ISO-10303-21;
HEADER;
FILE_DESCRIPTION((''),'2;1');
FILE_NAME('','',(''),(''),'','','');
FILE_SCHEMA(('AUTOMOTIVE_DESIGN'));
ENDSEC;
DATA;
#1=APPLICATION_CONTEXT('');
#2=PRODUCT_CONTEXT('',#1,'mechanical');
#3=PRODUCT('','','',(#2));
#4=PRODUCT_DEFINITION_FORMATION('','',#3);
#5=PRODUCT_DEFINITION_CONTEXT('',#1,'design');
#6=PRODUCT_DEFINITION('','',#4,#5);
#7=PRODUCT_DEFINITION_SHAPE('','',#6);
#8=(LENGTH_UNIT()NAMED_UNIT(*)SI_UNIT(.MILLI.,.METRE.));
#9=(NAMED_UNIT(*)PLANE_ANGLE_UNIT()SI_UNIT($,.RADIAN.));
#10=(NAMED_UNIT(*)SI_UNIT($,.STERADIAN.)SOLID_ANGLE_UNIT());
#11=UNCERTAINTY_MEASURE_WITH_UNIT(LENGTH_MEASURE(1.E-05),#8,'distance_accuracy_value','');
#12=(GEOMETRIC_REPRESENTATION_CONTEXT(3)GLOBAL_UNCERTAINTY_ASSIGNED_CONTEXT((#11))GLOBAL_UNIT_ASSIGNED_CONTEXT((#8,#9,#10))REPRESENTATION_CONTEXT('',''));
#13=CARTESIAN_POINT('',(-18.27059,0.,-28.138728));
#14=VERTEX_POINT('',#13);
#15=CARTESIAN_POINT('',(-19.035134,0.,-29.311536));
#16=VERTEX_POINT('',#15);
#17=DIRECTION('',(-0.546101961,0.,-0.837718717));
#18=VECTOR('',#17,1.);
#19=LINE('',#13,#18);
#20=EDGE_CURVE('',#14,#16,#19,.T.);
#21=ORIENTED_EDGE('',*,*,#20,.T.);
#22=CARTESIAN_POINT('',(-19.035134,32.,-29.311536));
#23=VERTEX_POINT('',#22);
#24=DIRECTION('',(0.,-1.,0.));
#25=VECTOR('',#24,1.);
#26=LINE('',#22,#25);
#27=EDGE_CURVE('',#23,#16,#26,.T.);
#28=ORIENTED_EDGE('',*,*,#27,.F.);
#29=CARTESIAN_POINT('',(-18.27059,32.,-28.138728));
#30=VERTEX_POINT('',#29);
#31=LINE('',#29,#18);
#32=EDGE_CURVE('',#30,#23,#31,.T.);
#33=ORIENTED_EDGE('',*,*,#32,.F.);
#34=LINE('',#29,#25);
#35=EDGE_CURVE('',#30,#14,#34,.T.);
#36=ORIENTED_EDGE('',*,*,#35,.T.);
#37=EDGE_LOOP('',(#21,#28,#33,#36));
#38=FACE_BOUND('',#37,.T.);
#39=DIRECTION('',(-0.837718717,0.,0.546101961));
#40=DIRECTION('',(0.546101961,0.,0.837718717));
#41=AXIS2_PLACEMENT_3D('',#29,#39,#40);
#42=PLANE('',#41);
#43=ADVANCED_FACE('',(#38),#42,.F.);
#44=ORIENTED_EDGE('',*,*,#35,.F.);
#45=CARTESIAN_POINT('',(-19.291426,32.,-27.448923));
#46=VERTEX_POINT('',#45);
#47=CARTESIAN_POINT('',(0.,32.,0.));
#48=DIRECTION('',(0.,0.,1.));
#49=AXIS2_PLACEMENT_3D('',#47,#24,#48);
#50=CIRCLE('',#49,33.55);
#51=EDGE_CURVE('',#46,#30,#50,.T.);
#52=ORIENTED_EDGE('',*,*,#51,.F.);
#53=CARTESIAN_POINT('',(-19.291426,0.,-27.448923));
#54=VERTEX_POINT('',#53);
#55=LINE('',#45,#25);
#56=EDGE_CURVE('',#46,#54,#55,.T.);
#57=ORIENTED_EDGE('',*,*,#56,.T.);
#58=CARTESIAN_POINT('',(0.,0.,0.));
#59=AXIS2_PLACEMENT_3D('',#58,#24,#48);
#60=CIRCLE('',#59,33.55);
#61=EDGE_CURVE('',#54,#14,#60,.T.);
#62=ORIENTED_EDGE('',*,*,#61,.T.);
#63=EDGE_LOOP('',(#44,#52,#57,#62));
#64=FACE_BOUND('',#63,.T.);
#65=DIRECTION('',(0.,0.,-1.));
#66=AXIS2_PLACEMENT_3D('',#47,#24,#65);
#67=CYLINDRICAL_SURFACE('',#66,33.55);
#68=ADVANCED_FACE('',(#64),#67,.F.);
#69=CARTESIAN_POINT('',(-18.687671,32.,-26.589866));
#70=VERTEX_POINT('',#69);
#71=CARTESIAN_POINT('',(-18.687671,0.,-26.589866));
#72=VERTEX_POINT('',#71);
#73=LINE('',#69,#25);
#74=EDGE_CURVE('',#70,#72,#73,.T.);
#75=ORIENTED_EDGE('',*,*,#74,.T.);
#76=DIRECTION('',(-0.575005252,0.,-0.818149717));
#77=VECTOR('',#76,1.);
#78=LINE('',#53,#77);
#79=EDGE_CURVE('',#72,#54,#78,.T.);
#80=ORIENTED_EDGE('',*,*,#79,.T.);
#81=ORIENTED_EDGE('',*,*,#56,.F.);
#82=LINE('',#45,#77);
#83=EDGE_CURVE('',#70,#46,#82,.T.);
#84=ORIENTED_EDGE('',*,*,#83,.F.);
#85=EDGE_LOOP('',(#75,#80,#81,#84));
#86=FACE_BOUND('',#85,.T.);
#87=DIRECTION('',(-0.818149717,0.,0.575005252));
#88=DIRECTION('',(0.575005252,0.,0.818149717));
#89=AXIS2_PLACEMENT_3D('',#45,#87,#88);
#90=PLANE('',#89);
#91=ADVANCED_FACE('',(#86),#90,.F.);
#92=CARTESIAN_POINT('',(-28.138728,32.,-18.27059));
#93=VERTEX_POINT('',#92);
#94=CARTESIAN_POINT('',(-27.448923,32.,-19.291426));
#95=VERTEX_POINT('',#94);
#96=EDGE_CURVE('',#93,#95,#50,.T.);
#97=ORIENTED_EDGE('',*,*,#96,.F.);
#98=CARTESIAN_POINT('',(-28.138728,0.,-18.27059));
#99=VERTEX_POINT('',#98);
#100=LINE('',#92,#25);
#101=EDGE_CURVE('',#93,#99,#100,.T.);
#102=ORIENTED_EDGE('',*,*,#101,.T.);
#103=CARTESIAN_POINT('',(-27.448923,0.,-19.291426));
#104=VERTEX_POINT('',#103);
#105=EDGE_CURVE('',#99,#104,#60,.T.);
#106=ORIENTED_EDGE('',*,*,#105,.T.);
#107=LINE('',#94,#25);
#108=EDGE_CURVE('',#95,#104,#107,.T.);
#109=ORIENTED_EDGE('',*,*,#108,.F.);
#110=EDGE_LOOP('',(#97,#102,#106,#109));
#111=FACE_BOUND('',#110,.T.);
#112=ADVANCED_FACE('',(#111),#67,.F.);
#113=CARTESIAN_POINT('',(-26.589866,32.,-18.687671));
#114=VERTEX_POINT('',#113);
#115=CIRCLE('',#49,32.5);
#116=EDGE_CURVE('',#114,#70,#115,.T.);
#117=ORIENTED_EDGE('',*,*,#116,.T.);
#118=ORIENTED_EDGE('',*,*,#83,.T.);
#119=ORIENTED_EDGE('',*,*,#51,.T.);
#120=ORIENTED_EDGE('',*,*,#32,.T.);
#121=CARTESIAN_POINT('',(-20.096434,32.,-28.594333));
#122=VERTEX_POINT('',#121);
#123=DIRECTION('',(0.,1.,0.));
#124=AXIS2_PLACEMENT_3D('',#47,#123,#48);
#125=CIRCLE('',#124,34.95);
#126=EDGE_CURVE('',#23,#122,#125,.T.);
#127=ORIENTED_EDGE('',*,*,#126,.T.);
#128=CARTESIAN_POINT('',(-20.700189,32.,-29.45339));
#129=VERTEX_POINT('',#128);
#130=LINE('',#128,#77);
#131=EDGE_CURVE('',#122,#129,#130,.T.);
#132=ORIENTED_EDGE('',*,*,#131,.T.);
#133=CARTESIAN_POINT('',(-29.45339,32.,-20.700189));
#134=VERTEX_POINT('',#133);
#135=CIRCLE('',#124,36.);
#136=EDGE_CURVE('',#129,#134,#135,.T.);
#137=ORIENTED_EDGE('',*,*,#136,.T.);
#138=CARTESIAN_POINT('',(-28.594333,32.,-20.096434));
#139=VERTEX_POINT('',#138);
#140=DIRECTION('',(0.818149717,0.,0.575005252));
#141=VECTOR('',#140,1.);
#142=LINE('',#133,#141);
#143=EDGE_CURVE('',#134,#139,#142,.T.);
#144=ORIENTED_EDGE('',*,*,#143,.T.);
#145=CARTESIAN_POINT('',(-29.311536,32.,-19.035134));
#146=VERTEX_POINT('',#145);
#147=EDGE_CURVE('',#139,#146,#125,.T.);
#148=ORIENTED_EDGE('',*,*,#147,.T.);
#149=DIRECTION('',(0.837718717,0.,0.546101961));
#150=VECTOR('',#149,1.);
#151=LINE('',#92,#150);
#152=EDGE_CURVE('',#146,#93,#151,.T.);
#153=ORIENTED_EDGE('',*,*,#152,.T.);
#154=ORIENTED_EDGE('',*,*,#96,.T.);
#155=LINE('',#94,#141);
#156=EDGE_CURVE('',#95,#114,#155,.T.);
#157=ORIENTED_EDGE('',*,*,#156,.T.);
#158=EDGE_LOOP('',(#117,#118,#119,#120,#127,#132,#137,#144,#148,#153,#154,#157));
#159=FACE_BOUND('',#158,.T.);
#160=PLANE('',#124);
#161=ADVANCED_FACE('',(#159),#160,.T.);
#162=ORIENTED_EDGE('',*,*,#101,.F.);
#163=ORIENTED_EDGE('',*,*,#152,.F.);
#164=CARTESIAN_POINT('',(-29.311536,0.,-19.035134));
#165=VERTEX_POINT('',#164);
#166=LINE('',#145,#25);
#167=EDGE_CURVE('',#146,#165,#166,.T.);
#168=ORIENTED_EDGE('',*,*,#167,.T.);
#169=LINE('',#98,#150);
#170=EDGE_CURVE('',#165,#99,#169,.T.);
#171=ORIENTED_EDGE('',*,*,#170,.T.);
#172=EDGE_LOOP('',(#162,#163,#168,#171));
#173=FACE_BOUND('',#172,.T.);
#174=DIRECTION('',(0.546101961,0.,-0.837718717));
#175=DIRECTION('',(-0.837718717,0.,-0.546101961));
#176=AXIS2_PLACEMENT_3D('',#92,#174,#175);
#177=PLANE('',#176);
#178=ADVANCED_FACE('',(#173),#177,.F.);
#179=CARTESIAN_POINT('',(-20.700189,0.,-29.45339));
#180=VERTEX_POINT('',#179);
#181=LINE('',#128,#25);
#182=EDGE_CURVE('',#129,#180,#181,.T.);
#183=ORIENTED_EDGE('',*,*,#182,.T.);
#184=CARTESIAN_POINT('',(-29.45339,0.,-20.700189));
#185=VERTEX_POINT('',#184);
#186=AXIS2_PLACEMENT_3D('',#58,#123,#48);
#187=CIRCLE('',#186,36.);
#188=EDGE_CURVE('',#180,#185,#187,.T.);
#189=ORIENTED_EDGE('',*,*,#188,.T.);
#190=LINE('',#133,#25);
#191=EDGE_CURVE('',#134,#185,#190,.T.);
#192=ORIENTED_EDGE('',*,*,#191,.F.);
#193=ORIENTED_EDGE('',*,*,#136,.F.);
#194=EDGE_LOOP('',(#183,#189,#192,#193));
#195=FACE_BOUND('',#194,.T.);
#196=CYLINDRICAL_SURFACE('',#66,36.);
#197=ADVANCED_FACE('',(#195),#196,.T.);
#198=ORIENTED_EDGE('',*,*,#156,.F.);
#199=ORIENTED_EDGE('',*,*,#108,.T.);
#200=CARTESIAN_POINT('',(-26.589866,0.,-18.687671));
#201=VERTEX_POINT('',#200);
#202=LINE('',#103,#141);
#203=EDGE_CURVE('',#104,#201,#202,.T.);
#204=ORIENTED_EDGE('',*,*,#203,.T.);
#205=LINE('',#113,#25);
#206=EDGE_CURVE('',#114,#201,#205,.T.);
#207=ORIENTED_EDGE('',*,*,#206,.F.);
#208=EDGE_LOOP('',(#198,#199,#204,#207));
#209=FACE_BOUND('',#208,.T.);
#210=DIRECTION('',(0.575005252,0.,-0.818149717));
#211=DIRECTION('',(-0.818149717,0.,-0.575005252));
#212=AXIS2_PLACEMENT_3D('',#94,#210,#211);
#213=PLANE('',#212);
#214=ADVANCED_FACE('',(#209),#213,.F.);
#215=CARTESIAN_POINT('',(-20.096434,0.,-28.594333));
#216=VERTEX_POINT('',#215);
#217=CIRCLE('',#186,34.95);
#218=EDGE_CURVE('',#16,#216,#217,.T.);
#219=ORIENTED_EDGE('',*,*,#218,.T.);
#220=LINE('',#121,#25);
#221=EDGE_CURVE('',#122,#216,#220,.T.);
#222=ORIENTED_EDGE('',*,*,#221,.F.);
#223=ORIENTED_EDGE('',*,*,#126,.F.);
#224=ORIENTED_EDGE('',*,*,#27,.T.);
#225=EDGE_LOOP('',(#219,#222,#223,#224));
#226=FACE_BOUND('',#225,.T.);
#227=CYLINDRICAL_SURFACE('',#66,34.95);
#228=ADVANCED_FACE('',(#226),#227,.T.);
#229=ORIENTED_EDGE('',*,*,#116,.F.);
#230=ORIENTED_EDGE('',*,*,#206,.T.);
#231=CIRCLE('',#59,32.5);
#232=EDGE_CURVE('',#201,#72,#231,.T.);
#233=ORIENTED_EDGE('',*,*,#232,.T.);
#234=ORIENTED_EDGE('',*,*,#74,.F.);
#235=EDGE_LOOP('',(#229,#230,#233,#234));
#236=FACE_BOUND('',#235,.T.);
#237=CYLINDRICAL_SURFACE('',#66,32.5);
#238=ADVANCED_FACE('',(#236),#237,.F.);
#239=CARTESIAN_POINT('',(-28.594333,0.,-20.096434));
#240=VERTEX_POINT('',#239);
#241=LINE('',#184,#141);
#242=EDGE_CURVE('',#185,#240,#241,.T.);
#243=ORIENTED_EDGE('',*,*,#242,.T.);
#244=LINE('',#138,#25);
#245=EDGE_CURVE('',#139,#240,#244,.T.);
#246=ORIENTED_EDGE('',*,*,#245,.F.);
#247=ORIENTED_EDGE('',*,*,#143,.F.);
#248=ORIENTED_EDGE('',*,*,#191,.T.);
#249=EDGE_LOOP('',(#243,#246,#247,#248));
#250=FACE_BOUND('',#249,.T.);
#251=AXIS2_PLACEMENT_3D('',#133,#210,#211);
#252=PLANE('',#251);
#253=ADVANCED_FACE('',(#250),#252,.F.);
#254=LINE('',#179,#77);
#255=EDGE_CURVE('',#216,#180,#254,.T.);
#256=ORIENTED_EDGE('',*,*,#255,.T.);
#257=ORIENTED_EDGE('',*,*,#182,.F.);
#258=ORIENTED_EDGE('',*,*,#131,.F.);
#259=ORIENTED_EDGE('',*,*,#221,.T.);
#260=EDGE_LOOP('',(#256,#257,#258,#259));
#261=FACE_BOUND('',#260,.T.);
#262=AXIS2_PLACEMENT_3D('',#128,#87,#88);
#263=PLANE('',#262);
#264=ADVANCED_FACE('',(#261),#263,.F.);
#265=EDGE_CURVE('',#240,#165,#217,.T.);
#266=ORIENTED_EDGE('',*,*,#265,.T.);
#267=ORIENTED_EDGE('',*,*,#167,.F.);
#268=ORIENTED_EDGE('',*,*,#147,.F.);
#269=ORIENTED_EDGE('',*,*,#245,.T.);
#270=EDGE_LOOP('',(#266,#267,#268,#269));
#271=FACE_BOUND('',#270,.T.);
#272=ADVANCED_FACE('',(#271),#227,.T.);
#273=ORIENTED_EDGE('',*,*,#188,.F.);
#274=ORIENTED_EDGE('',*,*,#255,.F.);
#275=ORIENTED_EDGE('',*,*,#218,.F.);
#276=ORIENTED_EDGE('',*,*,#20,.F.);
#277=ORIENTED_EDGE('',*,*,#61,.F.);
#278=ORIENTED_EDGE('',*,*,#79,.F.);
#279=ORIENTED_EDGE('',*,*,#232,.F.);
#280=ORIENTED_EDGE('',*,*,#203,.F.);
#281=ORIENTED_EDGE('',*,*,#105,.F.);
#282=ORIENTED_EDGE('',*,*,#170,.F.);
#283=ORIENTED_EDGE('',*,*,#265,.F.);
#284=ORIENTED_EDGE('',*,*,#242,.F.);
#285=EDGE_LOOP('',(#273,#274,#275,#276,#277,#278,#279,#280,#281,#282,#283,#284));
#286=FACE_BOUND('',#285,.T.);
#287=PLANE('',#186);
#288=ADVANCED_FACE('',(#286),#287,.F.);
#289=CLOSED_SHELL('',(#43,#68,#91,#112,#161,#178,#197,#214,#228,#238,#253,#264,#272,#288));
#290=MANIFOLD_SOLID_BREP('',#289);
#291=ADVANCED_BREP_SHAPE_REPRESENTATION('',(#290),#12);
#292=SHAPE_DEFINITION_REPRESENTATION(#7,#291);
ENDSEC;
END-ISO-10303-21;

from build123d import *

# Parameters (mm, degrees)
BOSS_EXTRUDE1_DEPTH = 32


with BuildPart() as part:
    # Sketch1 → Boss-Extrude1 (new body)
    with BuildSketch(Plane(origin=(0, 0, 0), x_dir=(1, 0, 0), z_dir=(0, 1, 0))):
        with BuildLine():
            Line((-29.453389827, 20.700189074), (-28.594332624, 20.096433559))
            ThreePointArc((-28.594332624, 20.096433559), (-28.957796954, 19.569069869), (-29.31153635, 19.035134274))
            Line((-29.31153635, 19.035134274), (-28.138728286, 18.270590315))
            ThreePointArc((-28.138728286, 18.270590315), (-27.798512026, 18.784174965), (-27.44892302, 19.291426206))
            Line((-27.44892302, 19.291426206), (-26.589865816, 18.687670691))
            ThreePointArc((-26.589865816, 18.687670691), (-22.980970389, 22.980970389), (-18.687670691, 26.589865816))
            Line((-18.687670691, 26.589865816), (-19.291426206, 27.44892302))
            ThreePointArc((-19.291426206, 27.44892302), (-18.784174965, 27.798512026), (-18.270590315, 28.138728286))
            Line((-18.270590315, 28.138728286), (-19.035134274, 29.31153635))
            ThreePointArc((-19.035134274, 29.31153635), (-19.569069869, 28.957796954), (-20.096433559, 28.594332624))
            Line((-20.096433559, 28.594332624), (-20.700189074, 29.453389827))
            ThreePointArc((-20.700189074, 29.453389827), (-25.455844123, 25.455844123), (-29.453389827, 20.700189074))
        make_face()
    extrude(amount=BOSS_EXTRUDE1_DEPTH)


solid = part.part
